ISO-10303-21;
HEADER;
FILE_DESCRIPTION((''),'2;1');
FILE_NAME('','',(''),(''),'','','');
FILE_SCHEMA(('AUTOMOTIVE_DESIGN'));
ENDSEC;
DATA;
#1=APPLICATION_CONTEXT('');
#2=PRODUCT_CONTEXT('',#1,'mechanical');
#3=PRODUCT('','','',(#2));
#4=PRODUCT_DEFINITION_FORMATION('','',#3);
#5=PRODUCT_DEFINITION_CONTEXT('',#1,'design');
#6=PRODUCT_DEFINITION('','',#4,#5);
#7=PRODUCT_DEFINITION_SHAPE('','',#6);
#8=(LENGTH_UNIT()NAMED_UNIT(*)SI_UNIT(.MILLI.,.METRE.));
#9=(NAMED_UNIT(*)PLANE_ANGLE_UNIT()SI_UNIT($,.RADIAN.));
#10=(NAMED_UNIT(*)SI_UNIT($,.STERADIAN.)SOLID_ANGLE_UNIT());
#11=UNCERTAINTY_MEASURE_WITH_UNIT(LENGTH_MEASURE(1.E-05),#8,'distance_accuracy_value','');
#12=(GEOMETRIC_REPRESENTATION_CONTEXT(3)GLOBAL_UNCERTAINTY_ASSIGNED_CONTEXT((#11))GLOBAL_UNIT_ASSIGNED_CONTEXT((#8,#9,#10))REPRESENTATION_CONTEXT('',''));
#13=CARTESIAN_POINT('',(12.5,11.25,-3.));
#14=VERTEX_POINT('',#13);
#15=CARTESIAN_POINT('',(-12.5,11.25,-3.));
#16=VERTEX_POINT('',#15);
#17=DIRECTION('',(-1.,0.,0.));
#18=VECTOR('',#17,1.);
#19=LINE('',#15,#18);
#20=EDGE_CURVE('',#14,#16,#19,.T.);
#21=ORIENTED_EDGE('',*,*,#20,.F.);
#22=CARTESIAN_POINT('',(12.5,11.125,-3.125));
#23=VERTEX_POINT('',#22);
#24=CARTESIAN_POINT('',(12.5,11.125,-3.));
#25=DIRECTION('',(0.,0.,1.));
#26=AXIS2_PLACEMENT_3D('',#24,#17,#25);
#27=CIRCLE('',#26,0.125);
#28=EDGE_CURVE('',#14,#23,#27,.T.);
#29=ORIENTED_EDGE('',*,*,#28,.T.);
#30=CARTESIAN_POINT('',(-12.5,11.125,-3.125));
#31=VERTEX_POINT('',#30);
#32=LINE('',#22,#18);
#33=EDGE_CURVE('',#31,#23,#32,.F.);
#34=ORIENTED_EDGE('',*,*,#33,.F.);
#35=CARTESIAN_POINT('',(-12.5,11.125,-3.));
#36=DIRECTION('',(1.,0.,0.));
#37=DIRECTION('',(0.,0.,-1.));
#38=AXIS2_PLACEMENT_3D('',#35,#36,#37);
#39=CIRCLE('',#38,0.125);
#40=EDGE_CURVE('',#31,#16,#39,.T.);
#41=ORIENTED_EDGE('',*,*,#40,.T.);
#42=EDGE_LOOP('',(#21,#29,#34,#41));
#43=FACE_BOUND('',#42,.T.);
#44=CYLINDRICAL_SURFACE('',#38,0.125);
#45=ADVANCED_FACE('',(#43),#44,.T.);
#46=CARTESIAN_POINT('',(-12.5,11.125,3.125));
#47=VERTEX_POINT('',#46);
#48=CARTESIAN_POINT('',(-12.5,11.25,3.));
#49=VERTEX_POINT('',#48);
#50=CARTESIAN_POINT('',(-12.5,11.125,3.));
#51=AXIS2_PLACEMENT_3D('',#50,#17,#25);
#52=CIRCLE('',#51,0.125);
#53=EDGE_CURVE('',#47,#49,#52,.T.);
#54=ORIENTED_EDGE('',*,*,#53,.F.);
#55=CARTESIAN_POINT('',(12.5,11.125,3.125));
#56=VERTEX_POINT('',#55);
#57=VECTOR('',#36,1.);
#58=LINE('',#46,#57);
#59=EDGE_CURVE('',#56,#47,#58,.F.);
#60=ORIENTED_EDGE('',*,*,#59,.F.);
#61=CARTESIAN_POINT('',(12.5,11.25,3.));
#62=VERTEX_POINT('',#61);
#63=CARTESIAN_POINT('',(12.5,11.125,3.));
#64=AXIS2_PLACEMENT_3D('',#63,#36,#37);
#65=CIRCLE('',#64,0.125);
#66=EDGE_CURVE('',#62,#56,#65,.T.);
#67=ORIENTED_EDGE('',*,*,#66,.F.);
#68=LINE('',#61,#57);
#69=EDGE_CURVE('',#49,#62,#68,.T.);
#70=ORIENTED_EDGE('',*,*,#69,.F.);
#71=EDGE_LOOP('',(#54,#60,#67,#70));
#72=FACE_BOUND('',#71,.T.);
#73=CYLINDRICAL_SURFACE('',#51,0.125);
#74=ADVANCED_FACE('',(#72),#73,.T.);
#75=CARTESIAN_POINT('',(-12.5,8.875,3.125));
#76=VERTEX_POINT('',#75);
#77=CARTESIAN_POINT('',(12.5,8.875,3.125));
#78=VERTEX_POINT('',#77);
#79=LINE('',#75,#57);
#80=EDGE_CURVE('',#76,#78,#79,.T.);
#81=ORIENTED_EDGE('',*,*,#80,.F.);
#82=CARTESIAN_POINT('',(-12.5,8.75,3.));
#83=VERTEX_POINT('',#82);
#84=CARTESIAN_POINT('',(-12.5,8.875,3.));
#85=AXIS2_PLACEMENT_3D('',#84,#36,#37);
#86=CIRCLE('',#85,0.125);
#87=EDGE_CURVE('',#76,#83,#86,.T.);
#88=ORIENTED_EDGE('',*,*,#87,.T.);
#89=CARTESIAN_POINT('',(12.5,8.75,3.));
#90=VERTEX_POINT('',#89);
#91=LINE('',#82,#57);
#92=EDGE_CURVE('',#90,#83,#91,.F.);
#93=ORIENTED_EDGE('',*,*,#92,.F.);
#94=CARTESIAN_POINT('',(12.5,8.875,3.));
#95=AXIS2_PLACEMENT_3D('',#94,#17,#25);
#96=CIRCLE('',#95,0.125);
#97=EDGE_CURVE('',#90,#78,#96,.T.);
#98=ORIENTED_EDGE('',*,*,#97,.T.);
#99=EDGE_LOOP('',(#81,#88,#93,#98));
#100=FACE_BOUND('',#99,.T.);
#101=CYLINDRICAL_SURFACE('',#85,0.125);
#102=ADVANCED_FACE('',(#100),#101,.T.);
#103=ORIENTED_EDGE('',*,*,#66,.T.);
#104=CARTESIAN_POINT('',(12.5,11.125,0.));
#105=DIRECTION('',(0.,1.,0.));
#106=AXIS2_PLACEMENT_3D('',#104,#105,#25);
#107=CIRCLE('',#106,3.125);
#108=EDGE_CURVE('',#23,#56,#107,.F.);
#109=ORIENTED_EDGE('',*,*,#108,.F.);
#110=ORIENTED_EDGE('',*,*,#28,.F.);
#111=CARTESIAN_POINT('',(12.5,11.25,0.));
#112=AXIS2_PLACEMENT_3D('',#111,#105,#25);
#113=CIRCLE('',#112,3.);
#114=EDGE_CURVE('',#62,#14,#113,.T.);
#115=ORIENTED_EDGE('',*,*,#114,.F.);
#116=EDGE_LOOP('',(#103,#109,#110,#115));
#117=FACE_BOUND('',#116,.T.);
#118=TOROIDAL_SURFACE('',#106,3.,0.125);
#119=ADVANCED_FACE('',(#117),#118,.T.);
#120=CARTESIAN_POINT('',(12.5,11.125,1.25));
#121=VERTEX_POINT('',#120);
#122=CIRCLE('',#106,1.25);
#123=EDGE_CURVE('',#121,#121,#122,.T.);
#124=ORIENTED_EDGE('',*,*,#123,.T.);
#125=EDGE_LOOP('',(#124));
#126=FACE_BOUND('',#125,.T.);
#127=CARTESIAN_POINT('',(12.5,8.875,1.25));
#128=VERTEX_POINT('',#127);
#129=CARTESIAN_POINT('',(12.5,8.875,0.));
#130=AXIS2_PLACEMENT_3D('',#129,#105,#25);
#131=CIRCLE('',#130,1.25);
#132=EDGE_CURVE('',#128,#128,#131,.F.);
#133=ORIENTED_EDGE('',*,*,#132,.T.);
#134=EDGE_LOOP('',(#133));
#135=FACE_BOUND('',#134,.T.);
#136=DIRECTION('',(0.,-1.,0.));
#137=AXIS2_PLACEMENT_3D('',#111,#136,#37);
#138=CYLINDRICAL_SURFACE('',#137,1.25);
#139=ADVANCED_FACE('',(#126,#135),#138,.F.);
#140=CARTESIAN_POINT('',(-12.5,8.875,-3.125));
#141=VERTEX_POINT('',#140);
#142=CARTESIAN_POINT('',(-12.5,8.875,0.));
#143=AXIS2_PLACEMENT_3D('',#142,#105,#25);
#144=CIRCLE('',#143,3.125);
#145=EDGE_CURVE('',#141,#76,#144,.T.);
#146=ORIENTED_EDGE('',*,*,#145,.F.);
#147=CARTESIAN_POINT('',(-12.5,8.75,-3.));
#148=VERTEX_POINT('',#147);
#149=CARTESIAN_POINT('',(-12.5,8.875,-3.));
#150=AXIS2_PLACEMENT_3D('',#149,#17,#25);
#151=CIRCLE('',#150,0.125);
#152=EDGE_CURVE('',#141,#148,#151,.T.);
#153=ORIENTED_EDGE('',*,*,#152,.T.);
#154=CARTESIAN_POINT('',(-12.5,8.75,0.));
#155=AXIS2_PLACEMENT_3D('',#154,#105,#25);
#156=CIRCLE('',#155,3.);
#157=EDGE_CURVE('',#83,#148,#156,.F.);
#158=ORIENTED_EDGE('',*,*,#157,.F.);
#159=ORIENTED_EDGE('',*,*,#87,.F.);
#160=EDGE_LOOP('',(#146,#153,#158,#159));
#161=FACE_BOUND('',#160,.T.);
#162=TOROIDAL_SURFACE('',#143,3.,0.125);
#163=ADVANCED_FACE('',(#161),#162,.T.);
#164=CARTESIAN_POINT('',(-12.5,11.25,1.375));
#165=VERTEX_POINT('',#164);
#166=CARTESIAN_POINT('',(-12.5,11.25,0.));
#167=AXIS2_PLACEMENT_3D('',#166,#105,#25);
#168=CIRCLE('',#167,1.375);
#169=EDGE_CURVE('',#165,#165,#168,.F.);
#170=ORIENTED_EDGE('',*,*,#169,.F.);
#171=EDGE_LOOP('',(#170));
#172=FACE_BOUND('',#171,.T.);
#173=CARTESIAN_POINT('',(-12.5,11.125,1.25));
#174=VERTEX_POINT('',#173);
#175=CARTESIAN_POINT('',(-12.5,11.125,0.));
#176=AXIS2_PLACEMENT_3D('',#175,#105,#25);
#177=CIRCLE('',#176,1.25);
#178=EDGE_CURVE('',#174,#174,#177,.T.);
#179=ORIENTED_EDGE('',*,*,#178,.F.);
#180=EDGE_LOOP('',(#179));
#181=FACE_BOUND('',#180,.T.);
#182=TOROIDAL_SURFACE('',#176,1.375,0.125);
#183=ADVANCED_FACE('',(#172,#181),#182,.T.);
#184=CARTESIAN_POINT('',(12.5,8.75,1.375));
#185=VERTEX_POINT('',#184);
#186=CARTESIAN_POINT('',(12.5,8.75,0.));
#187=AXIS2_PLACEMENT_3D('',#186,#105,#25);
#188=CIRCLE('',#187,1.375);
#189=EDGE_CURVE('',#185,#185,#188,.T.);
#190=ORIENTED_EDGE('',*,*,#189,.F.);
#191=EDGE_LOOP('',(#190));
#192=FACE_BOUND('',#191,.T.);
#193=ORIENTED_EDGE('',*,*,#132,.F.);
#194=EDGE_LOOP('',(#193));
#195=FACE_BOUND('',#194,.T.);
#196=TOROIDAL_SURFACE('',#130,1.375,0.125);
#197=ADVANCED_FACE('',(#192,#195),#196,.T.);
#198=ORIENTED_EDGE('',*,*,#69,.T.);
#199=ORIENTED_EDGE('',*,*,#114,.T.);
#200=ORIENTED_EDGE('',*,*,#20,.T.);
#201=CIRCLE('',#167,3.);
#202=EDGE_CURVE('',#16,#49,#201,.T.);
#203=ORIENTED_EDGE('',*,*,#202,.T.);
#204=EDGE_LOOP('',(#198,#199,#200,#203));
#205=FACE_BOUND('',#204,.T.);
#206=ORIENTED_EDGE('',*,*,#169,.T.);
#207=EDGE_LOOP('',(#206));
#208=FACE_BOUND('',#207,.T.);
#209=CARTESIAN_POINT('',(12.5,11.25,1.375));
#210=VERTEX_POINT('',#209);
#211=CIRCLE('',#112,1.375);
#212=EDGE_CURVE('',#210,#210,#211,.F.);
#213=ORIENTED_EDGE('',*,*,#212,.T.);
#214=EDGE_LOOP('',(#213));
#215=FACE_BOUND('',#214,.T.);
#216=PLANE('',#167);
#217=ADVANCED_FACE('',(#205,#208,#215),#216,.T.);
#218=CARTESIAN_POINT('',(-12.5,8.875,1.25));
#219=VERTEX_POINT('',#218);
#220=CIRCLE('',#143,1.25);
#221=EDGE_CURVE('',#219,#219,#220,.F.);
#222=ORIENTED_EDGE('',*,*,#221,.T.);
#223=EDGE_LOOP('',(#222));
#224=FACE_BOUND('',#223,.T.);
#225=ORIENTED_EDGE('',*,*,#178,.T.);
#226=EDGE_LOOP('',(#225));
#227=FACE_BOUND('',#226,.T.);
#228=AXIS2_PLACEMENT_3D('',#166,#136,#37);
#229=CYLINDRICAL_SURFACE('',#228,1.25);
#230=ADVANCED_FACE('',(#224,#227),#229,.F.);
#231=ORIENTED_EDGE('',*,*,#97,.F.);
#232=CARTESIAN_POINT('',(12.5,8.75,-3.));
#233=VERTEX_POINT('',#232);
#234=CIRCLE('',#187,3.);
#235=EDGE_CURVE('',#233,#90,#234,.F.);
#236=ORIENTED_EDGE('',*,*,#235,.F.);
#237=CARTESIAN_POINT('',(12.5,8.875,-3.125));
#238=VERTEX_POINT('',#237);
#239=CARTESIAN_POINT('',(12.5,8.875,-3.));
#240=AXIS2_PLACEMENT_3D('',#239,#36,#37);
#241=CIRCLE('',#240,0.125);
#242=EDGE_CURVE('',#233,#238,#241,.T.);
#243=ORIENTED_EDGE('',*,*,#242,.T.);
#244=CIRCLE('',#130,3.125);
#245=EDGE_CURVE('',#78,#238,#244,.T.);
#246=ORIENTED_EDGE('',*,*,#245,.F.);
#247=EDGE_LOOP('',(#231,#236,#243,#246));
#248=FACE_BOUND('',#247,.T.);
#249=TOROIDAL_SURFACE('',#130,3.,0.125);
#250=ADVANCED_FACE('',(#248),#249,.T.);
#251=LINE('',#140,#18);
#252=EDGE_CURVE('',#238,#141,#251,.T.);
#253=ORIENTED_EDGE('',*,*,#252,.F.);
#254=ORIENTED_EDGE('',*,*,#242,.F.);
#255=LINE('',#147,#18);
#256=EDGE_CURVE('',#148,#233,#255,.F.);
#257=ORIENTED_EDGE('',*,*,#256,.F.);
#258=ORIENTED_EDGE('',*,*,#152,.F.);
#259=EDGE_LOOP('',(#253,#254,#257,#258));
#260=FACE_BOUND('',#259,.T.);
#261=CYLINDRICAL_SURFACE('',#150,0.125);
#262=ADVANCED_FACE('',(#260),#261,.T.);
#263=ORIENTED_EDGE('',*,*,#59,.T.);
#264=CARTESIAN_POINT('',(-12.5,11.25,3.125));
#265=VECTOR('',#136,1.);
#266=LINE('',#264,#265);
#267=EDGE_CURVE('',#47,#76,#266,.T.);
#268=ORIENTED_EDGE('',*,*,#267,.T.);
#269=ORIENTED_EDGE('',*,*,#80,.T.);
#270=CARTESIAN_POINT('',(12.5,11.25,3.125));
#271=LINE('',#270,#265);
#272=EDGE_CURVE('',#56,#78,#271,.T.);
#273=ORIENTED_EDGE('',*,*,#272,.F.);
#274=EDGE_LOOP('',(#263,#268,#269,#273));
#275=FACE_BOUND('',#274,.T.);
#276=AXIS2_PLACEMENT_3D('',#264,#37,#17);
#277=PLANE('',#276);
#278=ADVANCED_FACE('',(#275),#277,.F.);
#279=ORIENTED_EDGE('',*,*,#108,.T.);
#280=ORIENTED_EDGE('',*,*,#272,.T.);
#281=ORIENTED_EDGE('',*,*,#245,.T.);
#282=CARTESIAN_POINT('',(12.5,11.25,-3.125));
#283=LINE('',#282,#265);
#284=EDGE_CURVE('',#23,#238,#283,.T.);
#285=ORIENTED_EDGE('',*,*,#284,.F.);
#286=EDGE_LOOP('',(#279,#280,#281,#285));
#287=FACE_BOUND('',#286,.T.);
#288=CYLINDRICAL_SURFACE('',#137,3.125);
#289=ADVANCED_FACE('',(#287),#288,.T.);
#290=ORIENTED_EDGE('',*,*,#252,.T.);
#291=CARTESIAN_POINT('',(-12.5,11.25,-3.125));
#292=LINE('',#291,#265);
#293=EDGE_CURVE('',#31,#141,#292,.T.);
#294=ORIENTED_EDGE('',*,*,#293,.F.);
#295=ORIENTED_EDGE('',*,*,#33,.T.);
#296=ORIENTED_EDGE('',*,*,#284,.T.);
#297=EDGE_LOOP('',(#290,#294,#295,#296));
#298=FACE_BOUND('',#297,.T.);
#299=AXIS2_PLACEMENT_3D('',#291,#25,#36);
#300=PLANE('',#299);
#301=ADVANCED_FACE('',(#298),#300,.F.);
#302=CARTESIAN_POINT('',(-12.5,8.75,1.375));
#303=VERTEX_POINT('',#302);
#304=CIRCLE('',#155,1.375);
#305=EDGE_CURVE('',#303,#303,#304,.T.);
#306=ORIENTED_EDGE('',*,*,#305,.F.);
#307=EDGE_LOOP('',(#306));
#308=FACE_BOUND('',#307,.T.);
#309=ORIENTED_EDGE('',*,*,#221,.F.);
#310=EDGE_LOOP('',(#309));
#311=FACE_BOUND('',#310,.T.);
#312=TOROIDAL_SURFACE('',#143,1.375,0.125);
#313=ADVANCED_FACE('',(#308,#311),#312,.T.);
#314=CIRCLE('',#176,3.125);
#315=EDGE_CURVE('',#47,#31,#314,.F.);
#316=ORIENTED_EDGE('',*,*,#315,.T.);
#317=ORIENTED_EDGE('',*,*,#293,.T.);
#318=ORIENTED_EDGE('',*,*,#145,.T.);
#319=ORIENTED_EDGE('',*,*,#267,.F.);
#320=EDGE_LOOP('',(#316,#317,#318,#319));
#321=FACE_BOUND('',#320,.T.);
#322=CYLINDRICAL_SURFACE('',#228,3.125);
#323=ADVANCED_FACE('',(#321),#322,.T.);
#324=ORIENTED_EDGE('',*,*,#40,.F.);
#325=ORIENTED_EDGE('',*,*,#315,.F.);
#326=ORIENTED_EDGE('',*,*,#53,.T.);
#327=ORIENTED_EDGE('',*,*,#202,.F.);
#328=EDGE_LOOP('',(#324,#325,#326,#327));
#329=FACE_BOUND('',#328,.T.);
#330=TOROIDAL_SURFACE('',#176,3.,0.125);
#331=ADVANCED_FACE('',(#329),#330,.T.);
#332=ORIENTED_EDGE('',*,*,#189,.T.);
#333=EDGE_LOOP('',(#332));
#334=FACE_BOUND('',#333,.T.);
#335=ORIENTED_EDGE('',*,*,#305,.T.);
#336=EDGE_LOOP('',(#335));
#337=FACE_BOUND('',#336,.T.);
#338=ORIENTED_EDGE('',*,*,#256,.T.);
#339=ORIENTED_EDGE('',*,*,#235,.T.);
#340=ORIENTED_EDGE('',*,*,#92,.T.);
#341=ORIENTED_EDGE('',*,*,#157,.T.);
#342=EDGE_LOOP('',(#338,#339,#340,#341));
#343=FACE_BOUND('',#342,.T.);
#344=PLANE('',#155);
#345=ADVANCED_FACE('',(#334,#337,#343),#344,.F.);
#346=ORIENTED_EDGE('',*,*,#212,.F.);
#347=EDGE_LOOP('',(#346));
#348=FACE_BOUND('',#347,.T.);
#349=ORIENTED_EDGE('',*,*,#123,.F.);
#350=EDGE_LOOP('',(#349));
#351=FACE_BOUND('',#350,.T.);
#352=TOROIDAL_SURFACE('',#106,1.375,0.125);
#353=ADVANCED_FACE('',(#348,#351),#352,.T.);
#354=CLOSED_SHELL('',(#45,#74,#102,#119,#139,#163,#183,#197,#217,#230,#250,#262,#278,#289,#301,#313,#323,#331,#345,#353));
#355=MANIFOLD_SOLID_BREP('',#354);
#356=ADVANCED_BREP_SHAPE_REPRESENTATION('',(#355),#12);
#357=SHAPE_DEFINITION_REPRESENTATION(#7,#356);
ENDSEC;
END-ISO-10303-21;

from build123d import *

# Parameters (mm, degrees)
SKETCH1_R           = 10
BOSS_EXTRUDE1_DEPTH = 20
FILLET1_R           = 1
SCALE1_SCALE        = 0.125


with BuildPart() as part:
    # Sketch1 → Boss-Extrude1 (new body)
    with BuildSketch(Plane(origin=(0, 0, 0), x_dir=(1, 0, 0), z_dir=(0, 1, 0))):
        with BuildLine():
            Line((-100, 25), (100, 25))
            ThreePointArc((100, 25), (125, 0), (100, -25))
            Line((100, -25), (-100, -25))
            ThreePointArc((-100, -25), (-125, 0), (-100, 25))
        make_face()
        with Locations((-100, 0)):
            Circle(SKETCH1_R, mode=Mode.SUBTRACT)
        with Locations((100, 0)):
            Circle(SKETCH1_R, mode=Mode.SUBTRACT)
    extrude(amount=BOSS_EXTRUDE1_DEPTH)

    # Fillet1
    fillet1_edges = [part.edges().sort_by_distance(p)[0] for p in [
        (-110, 0, 0),
        (-110, 20, 0),
        (125, 20, 0),
        (90, 0, 0),
        (90, 20, 0),
        (0, 20, -25),
        (-125, 20, 0),
        (0, 0, -25),
        (125, 0, 0),
        (0, 0, 25),
        (-125, 0, 0),
        (0, 20, 25),
    ]]
    fillet(fillet1_edges, radius=FILLET1_R)


with BuildPart() as part_1:
    # Scale1: scaled about (0, 10, 0)
    add(part.part.scale(SCALE1_SCALE).moved(Location((0, 8.75, 0))))


solid = part_1.part
